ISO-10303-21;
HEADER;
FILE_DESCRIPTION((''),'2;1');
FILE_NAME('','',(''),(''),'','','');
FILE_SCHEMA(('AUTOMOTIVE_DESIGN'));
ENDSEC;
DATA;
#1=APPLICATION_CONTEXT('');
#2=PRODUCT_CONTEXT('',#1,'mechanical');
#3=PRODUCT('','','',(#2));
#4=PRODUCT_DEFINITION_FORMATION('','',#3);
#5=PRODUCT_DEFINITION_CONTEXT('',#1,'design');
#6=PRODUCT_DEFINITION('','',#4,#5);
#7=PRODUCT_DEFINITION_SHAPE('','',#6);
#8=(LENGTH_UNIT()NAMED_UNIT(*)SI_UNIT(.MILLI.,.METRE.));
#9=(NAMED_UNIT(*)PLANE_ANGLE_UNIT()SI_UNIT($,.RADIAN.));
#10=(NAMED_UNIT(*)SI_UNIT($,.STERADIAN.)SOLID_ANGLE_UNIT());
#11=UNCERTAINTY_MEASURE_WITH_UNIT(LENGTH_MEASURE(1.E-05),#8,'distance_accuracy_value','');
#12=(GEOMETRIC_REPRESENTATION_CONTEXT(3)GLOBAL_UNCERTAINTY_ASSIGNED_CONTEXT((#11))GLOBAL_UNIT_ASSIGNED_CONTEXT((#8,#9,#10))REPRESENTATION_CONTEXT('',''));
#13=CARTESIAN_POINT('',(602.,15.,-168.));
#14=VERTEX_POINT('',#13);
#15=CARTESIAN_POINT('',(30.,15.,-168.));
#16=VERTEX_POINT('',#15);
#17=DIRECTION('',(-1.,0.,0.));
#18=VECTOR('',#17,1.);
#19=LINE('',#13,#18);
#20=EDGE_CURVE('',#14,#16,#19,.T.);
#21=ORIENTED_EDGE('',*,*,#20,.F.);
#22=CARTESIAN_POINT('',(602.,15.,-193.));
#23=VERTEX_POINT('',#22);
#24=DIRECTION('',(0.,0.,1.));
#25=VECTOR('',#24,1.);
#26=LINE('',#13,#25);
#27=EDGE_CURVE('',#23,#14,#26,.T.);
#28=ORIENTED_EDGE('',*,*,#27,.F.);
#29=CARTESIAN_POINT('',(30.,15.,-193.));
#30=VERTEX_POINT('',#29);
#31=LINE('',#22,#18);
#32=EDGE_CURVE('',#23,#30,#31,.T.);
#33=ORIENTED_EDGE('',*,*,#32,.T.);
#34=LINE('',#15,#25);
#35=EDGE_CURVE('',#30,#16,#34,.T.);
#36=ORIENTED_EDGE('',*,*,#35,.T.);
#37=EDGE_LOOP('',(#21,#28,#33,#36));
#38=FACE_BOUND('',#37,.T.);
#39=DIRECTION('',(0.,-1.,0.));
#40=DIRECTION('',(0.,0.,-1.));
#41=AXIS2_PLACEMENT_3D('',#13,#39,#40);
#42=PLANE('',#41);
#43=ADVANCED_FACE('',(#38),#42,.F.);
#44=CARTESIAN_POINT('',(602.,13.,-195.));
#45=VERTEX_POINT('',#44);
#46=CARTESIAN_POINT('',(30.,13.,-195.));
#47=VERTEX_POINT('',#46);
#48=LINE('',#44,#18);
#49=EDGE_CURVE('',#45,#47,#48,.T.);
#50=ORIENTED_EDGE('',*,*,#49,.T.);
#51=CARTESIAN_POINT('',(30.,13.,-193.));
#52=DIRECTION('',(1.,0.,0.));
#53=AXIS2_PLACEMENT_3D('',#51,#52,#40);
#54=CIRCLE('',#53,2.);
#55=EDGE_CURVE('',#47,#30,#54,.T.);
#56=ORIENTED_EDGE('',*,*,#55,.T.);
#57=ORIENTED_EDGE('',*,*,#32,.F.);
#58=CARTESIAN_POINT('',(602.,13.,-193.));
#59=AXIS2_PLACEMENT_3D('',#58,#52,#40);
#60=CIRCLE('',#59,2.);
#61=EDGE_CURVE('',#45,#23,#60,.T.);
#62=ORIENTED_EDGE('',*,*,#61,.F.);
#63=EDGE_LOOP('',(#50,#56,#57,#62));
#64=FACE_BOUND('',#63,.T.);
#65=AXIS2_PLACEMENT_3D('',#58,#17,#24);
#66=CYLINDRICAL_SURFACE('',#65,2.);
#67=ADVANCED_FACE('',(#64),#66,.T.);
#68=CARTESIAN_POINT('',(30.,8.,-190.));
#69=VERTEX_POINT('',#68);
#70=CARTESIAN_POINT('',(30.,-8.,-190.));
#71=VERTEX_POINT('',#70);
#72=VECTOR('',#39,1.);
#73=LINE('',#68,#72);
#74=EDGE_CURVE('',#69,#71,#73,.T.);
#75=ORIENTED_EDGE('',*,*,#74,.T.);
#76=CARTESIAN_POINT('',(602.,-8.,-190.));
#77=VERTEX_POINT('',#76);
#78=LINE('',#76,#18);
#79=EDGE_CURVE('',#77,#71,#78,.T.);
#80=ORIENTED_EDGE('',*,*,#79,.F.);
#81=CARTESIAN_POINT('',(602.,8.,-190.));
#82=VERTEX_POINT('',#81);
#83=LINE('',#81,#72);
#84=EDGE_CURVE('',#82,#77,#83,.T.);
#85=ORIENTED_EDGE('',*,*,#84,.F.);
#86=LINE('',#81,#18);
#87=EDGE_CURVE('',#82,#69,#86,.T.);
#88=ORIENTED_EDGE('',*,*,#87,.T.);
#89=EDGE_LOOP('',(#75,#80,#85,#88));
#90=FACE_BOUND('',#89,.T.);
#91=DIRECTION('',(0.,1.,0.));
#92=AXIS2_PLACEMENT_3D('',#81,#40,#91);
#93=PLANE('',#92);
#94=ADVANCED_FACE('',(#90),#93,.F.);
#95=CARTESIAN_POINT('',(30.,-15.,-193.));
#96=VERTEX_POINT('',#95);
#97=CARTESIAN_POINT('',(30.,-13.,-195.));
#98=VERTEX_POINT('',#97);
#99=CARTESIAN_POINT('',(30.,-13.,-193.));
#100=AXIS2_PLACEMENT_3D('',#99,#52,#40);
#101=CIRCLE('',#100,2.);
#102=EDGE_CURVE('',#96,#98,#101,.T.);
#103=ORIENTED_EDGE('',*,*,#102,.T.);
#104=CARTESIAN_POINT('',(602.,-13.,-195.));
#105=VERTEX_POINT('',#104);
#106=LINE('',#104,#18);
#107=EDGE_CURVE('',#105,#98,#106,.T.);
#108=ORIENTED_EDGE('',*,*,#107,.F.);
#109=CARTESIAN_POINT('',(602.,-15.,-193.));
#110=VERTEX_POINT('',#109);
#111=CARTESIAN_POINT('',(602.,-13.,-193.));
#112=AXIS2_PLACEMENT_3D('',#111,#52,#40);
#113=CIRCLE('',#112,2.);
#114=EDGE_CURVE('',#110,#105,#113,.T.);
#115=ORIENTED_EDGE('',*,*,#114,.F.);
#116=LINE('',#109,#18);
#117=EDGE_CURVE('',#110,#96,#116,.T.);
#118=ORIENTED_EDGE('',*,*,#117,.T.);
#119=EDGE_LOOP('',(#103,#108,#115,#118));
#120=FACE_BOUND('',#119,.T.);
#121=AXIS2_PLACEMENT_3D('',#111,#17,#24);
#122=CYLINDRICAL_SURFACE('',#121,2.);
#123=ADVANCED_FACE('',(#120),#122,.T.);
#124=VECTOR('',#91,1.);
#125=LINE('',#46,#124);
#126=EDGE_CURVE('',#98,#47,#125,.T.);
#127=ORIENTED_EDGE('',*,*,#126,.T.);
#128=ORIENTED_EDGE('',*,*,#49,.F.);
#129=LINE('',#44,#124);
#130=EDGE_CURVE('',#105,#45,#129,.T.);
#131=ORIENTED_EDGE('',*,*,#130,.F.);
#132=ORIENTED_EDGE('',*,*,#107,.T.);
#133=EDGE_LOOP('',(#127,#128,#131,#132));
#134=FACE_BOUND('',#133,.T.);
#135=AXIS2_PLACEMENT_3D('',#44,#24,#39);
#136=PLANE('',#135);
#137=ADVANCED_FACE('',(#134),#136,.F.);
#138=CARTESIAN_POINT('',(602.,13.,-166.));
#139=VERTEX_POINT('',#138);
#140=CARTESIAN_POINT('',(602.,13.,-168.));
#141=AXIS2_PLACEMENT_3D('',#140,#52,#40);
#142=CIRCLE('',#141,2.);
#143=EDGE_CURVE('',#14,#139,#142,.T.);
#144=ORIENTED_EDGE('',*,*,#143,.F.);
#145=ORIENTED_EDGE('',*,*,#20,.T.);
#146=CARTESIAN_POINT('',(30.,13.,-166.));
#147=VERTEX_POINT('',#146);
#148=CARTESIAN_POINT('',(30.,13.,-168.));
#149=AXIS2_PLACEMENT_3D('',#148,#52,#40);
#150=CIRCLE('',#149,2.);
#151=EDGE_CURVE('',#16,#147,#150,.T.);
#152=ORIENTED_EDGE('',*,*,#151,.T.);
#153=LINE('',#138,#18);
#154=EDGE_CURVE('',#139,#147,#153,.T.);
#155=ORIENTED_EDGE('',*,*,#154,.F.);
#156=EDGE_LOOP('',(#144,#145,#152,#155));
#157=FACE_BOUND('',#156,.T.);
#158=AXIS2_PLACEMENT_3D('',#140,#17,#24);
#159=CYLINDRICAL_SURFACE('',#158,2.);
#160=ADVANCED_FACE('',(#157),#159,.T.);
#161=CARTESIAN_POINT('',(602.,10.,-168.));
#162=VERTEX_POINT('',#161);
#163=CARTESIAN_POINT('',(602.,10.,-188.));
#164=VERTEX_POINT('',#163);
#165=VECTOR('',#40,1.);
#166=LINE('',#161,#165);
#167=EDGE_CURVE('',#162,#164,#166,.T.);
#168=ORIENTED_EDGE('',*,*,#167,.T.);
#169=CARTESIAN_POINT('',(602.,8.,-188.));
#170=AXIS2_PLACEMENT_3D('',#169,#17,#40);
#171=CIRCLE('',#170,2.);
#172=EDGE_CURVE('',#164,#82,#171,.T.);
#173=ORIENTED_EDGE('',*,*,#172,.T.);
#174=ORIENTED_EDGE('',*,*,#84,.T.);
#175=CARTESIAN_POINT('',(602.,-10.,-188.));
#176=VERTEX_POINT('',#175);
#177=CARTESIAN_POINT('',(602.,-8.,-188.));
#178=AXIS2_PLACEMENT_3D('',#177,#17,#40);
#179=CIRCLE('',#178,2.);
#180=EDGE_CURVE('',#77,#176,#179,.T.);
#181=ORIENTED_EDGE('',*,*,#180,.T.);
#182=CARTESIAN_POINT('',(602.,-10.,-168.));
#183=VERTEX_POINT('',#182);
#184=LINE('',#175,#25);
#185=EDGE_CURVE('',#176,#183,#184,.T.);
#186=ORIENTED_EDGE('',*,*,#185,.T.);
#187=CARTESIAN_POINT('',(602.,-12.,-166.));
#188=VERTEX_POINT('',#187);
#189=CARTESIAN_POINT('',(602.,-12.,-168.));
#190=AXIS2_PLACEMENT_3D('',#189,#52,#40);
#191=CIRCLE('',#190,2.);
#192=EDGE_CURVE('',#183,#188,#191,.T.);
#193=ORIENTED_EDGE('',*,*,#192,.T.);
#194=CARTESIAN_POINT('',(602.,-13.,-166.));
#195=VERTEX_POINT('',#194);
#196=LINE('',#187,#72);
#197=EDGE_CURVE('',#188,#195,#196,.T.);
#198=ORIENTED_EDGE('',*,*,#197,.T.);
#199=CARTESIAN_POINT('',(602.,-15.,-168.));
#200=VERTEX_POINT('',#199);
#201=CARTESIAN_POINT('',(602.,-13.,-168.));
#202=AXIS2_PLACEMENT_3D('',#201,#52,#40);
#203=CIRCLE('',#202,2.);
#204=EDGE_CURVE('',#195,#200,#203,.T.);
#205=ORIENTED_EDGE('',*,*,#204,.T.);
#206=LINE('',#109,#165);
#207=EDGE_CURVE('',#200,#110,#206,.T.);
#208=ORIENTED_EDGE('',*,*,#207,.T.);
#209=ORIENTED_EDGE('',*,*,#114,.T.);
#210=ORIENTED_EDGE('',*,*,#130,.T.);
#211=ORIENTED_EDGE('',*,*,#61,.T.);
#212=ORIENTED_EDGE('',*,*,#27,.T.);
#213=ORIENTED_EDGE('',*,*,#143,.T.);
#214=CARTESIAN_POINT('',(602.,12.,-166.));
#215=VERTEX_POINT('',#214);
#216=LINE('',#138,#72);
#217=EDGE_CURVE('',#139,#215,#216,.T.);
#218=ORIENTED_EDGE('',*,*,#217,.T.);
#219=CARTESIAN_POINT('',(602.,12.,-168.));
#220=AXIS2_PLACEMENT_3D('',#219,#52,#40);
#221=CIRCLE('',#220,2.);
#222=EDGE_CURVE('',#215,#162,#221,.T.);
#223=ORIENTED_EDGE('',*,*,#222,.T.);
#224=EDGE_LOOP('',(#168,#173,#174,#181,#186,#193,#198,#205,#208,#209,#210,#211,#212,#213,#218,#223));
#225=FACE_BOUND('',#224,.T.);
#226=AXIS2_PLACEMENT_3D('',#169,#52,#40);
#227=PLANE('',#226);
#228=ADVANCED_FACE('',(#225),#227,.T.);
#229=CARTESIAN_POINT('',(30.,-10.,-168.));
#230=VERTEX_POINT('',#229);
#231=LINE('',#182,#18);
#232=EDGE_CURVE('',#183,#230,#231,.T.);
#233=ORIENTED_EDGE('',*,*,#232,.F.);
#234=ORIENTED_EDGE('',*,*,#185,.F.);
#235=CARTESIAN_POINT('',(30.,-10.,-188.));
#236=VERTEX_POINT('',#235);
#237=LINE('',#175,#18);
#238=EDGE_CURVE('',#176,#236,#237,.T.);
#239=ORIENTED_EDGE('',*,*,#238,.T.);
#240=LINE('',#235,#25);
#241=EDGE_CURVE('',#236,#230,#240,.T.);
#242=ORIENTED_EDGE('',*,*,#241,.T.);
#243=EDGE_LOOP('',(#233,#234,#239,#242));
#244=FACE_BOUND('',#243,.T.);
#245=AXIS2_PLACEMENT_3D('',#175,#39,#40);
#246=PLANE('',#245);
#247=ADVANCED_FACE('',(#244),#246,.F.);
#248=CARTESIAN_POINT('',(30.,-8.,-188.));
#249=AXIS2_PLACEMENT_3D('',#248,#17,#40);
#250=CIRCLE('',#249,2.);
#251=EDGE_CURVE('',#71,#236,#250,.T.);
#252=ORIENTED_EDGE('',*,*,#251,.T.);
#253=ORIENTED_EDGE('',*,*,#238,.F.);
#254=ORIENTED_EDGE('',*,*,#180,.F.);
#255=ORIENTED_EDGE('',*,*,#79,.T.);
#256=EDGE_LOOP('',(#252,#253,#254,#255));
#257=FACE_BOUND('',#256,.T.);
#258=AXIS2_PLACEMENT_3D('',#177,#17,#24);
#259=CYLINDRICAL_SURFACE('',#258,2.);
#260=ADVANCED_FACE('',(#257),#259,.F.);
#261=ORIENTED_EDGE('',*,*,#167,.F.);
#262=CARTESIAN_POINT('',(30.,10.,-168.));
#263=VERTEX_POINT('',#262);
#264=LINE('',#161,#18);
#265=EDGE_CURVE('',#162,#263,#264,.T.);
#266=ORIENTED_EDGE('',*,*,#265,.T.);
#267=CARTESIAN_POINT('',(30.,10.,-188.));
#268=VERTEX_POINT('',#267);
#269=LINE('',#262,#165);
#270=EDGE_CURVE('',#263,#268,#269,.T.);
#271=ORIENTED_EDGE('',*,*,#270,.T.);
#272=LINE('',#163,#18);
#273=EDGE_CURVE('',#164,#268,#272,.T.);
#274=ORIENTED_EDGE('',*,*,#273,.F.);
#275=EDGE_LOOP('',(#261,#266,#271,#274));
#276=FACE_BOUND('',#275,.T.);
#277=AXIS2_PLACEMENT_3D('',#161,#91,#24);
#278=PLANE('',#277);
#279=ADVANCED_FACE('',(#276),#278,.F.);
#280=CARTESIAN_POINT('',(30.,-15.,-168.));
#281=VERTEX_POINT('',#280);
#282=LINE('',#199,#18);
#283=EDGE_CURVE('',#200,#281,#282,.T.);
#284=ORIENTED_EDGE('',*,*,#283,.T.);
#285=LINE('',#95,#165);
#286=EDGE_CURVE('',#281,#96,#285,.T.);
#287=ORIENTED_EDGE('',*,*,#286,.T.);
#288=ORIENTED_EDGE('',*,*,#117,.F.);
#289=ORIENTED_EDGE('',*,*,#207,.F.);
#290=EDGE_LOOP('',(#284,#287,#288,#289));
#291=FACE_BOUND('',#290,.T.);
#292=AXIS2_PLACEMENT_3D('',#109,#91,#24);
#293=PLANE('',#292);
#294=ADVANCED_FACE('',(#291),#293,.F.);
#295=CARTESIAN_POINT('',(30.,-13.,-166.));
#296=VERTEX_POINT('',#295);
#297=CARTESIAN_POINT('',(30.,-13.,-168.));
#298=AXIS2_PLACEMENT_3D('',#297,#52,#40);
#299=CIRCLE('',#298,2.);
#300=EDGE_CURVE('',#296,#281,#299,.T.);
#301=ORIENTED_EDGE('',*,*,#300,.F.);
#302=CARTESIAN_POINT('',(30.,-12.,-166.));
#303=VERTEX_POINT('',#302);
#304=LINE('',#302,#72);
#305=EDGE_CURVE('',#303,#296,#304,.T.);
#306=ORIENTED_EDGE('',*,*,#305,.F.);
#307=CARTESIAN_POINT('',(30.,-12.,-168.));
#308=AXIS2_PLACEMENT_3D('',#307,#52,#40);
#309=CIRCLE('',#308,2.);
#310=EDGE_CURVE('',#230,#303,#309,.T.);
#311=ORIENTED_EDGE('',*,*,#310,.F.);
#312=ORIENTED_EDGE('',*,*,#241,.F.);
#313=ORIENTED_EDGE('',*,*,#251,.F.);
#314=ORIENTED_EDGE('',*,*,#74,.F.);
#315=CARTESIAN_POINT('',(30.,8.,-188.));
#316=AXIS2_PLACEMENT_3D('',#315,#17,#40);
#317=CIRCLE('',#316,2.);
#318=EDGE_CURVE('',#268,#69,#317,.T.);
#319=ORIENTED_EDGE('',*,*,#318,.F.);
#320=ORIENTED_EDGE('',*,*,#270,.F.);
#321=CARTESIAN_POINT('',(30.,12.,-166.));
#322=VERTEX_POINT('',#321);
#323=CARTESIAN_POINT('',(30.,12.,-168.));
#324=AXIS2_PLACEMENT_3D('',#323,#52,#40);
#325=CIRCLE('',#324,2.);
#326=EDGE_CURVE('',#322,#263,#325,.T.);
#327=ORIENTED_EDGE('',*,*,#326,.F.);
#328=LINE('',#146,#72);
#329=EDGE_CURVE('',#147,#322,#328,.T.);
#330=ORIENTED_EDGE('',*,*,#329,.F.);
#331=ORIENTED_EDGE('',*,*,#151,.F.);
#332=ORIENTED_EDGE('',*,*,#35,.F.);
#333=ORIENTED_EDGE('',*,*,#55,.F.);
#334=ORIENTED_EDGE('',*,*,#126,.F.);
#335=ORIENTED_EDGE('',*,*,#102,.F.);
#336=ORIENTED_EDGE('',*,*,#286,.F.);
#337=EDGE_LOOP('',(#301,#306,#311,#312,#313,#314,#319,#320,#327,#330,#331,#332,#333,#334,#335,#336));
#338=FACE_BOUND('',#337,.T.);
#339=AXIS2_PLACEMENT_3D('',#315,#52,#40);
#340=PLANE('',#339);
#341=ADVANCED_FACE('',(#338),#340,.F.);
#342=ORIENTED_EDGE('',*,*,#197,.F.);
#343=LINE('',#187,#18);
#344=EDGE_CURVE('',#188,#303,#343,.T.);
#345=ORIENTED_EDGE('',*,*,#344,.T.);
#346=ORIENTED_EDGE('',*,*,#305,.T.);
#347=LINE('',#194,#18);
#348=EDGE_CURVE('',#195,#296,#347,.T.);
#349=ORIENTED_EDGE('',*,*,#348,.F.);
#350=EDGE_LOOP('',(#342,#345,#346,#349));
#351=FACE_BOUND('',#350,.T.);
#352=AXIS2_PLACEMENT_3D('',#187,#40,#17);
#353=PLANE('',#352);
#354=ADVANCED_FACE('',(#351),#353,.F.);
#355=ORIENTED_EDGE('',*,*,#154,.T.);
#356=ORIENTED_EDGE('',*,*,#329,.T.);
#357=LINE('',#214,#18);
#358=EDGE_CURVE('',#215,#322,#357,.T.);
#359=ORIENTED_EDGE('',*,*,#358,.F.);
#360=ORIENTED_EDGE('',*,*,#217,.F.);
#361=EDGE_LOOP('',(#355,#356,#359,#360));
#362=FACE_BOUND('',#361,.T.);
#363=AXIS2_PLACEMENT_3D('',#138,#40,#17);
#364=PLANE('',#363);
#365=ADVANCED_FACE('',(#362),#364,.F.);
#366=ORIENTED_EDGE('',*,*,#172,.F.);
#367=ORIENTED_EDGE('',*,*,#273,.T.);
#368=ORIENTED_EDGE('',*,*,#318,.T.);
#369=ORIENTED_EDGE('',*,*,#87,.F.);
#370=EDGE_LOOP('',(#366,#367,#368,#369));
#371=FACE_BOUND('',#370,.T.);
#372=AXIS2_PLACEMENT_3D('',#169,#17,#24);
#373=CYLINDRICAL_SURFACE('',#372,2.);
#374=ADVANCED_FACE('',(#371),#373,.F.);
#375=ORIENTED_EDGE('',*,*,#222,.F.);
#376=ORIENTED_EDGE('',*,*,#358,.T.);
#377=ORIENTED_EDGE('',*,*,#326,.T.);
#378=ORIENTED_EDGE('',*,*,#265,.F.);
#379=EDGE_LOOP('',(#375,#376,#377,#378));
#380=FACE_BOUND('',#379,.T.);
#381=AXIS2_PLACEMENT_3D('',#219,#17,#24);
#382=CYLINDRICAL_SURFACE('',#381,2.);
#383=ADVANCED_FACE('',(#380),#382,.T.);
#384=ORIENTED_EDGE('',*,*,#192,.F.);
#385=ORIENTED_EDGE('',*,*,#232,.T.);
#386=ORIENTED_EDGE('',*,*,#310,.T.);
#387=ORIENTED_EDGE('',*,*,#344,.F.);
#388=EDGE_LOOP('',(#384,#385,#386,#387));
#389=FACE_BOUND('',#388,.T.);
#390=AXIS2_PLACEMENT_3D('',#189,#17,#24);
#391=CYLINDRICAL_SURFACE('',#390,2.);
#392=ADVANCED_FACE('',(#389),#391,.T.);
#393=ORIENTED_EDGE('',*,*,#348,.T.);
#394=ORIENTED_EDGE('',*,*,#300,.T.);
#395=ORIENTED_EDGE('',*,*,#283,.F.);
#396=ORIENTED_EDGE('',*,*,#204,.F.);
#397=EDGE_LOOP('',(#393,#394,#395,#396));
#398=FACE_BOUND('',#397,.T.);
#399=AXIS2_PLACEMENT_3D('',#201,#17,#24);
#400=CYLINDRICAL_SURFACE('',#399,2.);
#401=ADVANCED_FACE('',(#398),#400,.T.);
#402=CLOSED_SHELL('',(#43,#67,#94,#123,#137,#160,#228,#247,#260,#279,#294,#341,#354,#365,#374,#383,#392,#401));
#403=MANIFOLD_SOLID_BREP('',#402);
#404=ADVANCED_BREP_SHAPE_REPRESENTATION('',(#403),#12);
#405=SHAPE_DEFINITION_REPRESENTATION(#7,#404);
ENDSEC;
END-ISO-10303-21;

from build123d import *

# Parameters (mm, degrees)
BOSS_EXTRUDE1_START = 30
BOSS_EXTRUDE1_DEPTH = 572


with BuildPart() as part:
    # Sketch4 → Boss-Extrude1 (new body)
    with BuildSketch(Plane(origin=(0, 0, 0), x_dir=(0, 0, -1), z_dir=(1, 0, 0)).offset(BOSS_EXTRUDE1_START)):
        with BuildLine():
            Line((195, 13), (195, -13))
            ThreePointArc((195, -13), (194.414213562, -14.414213562), (193, -15))
            Line((193, -15), (168, -15))
            ThreePointArc((168, -15), (166.585786438, -14.414213562), (166, -13))
            Line((166, -13), (166, -12))
            ThreePointArc((166, -12), (166.585786438, -10.585786438), (168, -10))
            Line((168, -10), (188, -10))
            ThreePointArc((188, -10), (189.414213562, -9.414213562), (190, -8))
            Line((190, -8), (190, 8))
            ThreePointArc((190, 8), (189.414213562, 9.414213562), (188, 10))
            Line((188, 10), (168, 10))
            ThreePointArc((168, 10), (166.585786438, 10.585786438), (166, 12))
            Line((166, 12), (166, 13))
            ThreePointArc((166, 13), (166.585786438, 14.414213562), (168, 15))
            Line((168, 15), (193, 15))
            ThreePointArc((193, 15), (194.414213562, 14.414213562), (195, 13))
        make_face()
    extrude(amount=BOSS_EXTRUDE1_DEPTH)


solid = part.part
